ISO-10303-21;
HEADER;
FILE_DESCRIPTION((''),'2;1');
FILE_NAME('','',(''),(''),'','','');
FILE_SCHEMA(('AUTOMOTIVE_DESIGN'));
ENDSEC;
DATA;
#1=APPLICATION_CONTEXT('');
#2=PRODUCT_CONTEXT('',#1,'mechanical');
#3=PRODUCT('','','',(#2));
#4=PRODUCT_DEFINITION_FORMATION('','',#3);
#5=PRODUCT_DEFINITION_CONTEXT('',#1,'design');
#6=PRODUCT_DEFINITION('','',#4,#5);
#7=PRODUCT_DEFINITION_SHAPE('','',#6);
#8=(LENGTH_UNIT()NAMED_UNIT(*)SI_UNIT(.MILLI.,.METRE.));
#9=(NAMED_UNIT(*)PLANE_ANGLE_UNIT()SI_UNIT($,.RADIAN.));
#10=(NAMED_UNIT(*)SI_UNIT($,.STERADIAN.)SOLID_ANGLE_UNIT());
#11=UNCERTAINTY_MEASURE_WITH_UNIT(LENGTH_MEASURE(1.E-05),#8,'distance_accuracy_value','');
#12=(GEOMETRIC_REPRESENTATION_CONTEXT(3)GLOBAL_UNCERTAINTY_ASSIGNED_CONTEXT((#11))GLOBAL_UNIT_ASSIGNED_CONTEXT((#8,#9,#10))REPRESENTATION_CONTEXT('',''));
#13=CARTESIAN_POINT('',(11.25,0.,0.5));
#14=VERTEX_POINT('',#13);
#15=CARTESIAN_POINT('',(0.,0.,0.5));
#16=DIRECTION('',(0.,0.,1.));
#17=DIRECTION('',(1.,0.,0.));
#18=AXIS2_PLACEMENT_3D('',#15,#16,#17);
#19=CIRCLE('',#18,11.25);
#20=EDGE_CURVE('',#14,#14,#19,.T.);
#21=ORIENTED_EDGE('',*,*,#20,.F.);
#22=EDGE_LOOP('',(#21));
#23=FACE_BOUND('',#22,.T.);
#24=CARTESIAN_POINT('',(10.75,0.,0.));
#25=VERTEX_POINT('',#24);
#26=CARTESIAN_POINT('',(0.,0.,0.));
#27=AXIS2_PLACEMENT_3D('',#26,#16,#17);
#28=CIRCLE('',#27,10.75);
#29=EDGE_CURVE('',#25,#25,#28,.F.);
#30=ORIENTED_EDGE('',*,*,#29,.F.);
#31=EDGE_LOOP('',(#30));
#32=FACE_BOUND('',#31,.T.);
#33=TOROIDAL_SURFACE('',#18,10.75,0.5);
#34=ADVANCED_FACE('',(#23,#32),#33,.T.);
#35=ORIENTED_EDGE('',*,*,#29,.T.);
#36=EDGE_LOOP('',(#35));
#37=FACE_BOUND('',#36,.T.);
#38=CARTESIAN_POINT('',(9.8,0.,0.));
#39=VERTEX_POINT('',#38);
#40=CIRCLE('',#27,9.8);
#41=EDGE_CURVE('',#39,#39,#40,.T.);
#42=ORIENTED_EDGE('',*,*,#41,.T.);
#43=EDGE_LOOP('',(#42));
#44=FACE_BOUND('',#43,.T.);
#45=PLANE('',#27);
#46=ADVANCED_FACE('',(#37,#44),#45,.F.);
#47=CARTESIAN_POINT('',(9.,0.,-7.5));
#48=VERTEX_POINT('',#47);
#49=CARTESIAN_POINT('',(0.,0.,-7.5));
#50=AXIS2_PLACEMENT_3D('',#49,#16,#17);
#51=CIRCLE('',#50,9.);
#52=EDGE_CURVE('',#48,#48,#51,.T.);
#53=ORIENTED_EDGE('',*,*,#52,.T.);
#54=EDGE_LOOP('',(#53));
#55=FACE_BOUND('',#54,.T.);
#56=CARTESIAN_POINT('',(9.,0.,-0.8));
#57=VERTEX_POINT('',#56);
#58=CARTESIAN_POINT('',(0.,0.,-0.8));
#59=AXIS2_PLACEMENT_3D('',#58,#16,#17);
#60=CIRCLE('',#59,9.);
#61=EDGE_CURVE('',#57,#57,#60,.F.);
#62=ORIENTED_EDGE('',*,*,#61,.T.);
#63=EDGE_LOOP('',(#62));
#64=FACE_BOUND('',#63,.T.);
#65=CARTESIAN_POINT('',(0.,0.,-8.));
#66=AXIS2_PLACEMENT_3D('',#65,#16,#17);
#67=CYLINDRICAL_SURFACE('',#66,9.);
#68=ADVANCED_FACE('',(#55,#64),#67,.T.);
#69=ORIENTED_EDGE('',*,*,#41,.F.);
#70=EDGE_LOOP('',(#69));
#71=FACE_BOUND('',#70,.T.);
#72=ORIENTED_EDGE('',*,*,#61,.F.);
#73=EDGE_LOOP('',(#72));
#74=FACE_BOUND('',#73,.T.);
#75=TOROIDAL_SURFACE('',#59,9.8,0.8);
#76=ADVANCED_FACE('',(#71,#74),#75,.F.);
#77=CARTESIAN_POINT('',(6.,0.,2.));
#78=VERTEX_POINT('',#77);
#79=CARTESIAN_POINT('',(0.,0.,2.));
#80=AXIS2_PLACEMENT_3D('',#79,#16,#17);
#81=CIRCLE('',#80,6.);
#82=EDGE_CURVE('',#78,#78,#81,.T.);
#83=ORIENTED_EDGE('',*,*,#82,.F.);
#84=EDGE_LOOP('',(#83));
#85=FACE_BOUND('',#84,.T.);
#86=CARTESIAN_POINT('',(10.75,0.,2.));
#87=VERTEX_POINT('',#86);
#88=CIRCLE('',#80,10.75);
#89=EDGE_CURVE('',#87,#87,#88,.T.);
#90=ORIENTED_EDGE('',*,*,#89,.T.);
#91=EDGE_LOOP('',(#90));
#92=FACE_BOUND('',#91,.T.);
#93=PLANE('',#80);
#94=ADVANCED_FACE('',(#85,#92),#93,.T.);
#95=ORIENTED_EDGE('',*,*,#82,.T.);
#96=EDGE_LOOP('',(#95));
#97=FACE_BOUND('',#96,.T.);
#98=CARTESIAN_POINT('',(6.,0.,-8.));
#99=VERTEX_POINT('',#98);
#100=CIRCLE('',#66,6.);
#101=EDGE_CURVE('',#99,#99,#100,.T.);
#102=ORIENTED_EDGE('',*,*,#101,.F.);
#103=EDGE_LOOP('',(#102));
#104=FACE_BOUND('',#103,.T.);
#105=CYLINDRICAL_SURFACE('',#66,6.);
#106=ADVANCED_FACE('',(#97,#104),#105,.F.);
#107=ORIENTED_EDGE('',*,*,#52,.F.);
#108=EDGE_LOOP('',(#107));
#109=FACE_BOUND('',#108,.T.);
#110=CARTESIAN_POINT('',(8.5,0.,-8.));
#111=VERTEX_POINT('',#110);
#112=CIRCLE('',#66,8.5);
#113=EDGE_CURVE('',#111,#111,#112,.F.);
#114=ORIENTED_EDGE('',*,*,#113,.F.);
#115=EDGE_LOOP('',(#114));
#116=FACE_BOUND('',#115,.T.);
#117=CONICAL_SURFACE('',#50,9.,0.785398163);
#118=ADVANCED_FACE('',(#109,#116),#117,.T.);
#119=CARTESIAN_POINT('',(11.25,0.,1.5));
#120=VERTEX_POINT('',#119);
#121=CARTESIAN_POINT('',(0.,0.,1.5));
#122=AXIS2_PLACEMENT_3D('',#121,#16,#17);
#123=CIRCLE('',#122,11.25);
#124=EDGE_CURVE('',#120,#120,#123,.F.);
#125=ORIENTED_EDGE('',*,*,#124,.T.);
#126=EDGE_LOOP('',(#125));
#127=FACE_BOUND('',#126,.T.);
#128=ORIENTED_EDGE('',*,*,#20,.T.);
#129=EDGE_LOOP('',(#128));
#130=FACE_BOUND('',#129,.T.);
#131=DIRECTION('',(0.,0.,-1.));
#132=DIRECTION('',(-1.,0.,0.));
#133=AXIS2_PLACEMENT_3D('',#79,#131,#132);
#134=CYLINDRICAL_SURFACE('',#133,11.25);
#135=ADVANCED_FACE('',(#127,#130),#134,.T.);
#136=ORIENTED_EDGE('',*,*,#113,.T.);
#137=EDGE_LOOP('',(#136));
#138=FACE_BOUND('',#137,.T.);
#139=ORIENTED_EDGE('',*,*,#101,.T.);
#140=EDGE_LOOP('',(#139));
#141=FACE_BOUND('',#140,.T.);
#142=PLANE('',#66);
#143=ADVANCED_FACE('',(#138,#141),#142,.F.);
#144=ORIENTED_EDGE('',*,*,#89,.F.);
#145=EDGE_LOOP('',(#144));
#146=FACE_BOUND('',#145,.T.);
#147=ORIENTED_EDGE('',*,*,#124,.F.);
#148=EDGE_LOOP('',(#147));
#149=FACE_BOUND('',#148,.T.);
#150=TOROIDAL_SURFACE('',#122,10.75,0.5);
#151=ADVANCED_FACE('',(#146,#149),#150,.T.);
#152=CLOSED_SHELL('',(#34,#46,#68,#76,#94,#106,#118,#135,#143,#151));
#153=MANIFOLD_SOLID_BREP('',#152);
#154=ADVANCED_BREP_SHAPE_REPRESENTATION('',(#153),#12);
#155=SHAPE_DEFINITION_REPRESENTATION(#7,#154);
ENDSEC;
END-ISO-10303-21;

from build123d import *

# Parameters (mm, degrees)
SKETCH1_R           = 9
SKETCH1_R_2         = 6
BOSS_EXTRUDE1_DEPTH = 8
BOSS_EXTRUDE2_START = 2
SKETCH2_R           = 11.25
SKETCH2_R_2         = 6
BOSS_EXTRUDE2_DEPTH = 2
FILLET1_R           = 0.5
FILLET2_R           = 0.5
FILLET3_R           = 0.8
CHAMFER1_SIZE       = 0.5


with BuildPart() as part:
    # Sketch1 → Boss-Extrude1 (new body)
    with BuildSketch(Plane.XY):
        Circle(SKETCH1_R)
        Circle(SKETCH1_R_2, mode=Mode.SUBTRACT)
    extrude(amount=-BOSS_EXTRUDE1_DEPTH)

    # Sketch2 → Boss-Extrude2 (add)
    with BuildSketch(Plane.XY.offset(BOSS_EXTRUDE2_START)):
        Circle(SKETCH2_R)
        Circle(SKETCH2_R_2, mode=Mode.SUBTRACT)
    extrude(amount=-BOSS_EXTRUDE2_DEPTH)

    # Fillet1
    fillet1_edges = [part.edges().sort_by_distance(p)[0] for p in [
        (-11.25, 0, 2),
    ]]
    fillet(fillet1_edges, radius=FILLET1_R)

    # Fillet2
    fillet2_edges = [part.edges().sort_by_distance(p)[0] for p in [
        (-11.25, 0, 0),
    ]]
    fillet(fillet2_edges, radius=FILLET2_R)

    # Fillet3
    fillet3_edges = [part.edges().sort_by_distance(p)[0] for p in [
        (-9, 0, 0),
    ]]
    fillet(fillet3_edges, radius=FILLET3_R)

    # Chamfer1
    chamfer1_edges = [part.edges().sort_by_distance(p)[0] for p in [
        (-9, 0, -8),
    ]]
    chamfer(chamfer1_edges, length=CHAMFER1_SIZE)


solid = part.part
